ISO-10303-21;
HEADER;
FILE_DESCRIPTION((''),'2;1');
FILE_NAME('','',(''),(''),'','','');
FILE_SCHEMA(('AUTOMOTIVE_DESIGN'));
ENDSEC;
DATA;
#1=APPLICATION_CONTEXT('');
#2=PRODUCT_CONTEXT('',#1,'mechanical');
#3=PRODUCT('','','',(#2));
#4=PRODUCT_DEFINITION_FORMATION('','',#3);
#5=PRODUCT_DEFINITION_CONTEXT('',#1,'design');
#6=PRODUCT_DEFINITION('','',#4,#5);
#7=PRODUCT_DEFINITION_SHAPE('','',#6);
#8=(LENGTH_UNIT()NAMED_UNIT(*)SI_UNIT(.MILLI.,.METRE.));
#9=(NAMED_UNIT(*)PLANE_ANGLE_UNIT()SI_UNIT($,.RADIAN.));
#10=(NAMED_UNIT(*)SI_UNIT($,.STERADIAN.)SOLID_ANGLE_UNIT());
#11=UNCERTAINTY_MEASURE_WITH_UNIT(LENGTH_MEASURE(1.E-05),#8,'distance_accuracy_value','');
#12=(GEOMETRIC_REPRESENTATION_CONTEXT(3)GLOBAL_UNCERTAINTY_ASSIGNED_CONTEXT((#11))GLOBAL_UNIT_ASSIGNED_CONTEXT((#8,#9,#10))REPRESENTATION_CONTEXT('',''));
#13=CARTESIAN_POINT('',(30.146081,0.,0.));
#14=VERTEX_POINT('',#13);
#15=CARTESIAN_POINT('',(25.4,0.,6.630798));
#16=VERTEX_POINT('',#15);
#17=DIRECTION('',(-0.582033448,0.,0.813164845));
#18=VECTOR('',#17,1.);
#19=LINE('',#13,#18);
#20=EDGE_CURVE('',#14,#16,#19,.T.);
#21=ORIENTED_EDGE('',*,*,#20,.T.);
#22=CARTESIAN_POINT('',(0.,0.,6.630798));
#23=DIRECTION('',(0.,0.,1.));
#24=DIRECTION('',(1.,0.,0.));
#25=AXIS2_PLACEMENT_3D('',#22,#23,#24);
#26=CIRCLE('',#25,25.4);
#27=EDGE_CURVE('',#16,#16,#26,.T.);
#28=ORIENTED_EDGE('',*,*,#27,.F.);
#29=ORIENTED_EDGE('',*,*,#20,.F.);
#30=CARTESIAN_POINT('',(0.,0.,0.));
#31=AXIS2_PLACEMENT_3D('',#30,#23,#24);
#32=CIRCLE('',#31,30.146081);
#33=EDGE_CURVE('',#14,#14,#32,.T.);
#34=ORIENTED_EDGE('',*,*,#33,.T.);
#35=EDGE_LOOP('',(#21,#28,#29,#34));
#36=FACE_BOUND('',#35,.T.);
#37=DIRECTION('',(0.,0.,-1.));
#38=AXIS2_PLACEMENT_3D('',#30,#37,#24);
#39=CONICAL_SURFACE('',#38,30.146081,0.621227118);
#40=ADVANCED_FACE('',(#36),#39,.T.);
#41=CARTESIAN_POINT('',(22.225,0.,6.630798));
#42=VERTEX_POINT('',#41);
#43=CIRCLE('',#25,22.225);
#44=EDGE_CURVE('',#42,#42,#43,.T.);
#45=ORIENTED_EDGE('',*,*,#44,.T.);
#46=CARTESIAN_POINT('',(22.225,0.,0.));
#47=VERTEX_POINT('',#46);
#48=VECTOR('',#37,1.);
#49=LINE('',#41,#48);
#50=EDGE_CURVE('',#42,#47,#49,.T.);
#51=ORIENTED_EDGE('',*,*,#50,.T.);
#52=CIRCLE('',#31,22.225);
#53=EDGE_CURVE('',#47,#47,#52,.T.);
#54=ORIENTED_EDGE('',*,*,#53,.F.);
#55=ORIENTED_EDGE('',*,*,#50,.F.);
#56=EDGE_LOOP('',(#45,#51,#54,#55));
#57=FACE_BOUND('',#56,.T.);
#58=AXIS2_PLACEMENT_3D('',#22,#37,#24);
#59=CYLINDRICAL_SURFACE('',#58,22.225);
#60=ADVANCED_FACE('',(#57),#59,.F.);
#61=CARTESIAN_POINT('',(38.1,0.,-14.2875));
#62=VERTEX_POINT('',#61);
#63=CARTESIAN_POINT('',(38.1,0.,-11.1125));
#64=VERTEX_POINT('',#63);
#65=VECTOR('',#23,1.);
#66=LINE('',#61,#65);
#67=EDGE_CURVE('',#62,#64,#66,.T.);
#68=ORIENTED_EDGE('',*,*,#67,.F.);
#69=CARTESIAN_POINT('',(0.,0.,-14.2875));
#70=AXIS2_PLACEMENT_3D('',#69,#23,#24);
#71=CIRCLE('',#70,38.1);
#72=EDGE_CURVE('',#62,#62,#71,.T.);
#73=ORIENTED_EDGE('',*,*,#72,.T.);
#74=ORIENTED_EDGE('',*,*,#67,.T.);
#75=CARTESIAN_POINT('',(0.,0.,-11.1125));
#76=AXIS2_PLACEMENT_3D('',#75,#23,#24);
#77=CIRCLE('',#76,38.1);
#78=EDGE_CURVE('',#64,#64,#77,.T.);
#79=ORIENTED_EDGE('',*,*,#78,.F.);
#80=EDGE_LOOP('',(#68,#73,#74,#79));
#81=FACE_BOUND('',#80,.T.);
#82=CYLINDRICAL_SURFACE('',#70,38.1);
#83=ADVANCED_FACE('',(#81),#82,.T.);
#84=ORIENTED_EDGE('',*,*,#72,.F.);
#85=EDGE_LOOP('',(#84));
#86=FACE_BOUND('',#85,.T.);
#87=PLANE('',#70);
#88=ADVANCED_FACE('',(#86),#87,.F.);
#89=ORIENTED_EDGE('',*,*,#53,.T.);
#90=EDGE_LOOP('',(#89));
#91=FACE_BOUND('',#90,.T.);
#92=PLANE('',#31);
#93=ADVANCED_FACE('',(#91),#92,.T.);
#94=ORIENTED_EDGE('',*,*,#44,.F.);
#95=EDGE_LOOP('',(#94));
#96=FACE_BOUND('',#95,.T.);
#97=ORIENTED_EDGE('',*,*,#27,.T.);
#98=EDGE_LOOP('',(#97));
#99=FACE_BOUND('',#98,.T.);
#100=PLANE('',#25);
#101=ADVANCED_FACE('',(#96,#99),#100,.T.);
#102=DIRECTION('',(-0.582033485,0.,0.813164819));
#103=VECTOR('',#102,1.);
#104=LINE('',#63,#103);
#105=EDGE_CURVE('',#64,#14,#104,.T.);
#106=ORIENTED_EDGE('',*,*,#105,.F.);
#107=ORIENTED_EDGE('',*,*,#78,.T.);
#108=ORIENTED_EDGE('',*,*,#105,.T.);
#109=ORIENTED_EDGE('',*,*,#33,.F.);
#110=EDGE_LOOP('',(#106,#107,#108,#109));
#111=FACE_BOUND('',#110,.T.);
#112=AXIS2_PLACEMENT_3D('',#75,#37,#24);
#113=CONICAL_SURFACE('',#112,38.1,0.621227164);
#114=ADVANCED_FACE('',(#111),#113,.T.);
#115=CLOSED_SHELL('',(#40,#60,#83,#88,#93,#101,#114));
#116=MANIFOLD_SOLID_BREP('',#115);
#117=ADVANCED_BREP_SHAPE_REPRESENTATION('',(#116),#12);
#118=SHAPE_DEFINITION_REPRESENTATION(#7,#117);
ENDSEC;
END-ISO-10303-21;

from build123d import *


with BuildPart() as f2:
    # F1 (on Front) → F2 (revolve)
    with BuildSketch(Plane.XZ):
        Polygon((22.225, 0), (0, 0), (0, -14.2875), (38.1, -14.2875), (38.1, -11.1125), (30.146081, 0), align=None)
        Polygon((22.225, 6.630798), (22.225, 0), (30.146081, 0), (25.4, 6.630798), align=None)
    revolve(axis=Axis((0, 0, -7.14375), (0, 0, 1)))


solid = f2.part
